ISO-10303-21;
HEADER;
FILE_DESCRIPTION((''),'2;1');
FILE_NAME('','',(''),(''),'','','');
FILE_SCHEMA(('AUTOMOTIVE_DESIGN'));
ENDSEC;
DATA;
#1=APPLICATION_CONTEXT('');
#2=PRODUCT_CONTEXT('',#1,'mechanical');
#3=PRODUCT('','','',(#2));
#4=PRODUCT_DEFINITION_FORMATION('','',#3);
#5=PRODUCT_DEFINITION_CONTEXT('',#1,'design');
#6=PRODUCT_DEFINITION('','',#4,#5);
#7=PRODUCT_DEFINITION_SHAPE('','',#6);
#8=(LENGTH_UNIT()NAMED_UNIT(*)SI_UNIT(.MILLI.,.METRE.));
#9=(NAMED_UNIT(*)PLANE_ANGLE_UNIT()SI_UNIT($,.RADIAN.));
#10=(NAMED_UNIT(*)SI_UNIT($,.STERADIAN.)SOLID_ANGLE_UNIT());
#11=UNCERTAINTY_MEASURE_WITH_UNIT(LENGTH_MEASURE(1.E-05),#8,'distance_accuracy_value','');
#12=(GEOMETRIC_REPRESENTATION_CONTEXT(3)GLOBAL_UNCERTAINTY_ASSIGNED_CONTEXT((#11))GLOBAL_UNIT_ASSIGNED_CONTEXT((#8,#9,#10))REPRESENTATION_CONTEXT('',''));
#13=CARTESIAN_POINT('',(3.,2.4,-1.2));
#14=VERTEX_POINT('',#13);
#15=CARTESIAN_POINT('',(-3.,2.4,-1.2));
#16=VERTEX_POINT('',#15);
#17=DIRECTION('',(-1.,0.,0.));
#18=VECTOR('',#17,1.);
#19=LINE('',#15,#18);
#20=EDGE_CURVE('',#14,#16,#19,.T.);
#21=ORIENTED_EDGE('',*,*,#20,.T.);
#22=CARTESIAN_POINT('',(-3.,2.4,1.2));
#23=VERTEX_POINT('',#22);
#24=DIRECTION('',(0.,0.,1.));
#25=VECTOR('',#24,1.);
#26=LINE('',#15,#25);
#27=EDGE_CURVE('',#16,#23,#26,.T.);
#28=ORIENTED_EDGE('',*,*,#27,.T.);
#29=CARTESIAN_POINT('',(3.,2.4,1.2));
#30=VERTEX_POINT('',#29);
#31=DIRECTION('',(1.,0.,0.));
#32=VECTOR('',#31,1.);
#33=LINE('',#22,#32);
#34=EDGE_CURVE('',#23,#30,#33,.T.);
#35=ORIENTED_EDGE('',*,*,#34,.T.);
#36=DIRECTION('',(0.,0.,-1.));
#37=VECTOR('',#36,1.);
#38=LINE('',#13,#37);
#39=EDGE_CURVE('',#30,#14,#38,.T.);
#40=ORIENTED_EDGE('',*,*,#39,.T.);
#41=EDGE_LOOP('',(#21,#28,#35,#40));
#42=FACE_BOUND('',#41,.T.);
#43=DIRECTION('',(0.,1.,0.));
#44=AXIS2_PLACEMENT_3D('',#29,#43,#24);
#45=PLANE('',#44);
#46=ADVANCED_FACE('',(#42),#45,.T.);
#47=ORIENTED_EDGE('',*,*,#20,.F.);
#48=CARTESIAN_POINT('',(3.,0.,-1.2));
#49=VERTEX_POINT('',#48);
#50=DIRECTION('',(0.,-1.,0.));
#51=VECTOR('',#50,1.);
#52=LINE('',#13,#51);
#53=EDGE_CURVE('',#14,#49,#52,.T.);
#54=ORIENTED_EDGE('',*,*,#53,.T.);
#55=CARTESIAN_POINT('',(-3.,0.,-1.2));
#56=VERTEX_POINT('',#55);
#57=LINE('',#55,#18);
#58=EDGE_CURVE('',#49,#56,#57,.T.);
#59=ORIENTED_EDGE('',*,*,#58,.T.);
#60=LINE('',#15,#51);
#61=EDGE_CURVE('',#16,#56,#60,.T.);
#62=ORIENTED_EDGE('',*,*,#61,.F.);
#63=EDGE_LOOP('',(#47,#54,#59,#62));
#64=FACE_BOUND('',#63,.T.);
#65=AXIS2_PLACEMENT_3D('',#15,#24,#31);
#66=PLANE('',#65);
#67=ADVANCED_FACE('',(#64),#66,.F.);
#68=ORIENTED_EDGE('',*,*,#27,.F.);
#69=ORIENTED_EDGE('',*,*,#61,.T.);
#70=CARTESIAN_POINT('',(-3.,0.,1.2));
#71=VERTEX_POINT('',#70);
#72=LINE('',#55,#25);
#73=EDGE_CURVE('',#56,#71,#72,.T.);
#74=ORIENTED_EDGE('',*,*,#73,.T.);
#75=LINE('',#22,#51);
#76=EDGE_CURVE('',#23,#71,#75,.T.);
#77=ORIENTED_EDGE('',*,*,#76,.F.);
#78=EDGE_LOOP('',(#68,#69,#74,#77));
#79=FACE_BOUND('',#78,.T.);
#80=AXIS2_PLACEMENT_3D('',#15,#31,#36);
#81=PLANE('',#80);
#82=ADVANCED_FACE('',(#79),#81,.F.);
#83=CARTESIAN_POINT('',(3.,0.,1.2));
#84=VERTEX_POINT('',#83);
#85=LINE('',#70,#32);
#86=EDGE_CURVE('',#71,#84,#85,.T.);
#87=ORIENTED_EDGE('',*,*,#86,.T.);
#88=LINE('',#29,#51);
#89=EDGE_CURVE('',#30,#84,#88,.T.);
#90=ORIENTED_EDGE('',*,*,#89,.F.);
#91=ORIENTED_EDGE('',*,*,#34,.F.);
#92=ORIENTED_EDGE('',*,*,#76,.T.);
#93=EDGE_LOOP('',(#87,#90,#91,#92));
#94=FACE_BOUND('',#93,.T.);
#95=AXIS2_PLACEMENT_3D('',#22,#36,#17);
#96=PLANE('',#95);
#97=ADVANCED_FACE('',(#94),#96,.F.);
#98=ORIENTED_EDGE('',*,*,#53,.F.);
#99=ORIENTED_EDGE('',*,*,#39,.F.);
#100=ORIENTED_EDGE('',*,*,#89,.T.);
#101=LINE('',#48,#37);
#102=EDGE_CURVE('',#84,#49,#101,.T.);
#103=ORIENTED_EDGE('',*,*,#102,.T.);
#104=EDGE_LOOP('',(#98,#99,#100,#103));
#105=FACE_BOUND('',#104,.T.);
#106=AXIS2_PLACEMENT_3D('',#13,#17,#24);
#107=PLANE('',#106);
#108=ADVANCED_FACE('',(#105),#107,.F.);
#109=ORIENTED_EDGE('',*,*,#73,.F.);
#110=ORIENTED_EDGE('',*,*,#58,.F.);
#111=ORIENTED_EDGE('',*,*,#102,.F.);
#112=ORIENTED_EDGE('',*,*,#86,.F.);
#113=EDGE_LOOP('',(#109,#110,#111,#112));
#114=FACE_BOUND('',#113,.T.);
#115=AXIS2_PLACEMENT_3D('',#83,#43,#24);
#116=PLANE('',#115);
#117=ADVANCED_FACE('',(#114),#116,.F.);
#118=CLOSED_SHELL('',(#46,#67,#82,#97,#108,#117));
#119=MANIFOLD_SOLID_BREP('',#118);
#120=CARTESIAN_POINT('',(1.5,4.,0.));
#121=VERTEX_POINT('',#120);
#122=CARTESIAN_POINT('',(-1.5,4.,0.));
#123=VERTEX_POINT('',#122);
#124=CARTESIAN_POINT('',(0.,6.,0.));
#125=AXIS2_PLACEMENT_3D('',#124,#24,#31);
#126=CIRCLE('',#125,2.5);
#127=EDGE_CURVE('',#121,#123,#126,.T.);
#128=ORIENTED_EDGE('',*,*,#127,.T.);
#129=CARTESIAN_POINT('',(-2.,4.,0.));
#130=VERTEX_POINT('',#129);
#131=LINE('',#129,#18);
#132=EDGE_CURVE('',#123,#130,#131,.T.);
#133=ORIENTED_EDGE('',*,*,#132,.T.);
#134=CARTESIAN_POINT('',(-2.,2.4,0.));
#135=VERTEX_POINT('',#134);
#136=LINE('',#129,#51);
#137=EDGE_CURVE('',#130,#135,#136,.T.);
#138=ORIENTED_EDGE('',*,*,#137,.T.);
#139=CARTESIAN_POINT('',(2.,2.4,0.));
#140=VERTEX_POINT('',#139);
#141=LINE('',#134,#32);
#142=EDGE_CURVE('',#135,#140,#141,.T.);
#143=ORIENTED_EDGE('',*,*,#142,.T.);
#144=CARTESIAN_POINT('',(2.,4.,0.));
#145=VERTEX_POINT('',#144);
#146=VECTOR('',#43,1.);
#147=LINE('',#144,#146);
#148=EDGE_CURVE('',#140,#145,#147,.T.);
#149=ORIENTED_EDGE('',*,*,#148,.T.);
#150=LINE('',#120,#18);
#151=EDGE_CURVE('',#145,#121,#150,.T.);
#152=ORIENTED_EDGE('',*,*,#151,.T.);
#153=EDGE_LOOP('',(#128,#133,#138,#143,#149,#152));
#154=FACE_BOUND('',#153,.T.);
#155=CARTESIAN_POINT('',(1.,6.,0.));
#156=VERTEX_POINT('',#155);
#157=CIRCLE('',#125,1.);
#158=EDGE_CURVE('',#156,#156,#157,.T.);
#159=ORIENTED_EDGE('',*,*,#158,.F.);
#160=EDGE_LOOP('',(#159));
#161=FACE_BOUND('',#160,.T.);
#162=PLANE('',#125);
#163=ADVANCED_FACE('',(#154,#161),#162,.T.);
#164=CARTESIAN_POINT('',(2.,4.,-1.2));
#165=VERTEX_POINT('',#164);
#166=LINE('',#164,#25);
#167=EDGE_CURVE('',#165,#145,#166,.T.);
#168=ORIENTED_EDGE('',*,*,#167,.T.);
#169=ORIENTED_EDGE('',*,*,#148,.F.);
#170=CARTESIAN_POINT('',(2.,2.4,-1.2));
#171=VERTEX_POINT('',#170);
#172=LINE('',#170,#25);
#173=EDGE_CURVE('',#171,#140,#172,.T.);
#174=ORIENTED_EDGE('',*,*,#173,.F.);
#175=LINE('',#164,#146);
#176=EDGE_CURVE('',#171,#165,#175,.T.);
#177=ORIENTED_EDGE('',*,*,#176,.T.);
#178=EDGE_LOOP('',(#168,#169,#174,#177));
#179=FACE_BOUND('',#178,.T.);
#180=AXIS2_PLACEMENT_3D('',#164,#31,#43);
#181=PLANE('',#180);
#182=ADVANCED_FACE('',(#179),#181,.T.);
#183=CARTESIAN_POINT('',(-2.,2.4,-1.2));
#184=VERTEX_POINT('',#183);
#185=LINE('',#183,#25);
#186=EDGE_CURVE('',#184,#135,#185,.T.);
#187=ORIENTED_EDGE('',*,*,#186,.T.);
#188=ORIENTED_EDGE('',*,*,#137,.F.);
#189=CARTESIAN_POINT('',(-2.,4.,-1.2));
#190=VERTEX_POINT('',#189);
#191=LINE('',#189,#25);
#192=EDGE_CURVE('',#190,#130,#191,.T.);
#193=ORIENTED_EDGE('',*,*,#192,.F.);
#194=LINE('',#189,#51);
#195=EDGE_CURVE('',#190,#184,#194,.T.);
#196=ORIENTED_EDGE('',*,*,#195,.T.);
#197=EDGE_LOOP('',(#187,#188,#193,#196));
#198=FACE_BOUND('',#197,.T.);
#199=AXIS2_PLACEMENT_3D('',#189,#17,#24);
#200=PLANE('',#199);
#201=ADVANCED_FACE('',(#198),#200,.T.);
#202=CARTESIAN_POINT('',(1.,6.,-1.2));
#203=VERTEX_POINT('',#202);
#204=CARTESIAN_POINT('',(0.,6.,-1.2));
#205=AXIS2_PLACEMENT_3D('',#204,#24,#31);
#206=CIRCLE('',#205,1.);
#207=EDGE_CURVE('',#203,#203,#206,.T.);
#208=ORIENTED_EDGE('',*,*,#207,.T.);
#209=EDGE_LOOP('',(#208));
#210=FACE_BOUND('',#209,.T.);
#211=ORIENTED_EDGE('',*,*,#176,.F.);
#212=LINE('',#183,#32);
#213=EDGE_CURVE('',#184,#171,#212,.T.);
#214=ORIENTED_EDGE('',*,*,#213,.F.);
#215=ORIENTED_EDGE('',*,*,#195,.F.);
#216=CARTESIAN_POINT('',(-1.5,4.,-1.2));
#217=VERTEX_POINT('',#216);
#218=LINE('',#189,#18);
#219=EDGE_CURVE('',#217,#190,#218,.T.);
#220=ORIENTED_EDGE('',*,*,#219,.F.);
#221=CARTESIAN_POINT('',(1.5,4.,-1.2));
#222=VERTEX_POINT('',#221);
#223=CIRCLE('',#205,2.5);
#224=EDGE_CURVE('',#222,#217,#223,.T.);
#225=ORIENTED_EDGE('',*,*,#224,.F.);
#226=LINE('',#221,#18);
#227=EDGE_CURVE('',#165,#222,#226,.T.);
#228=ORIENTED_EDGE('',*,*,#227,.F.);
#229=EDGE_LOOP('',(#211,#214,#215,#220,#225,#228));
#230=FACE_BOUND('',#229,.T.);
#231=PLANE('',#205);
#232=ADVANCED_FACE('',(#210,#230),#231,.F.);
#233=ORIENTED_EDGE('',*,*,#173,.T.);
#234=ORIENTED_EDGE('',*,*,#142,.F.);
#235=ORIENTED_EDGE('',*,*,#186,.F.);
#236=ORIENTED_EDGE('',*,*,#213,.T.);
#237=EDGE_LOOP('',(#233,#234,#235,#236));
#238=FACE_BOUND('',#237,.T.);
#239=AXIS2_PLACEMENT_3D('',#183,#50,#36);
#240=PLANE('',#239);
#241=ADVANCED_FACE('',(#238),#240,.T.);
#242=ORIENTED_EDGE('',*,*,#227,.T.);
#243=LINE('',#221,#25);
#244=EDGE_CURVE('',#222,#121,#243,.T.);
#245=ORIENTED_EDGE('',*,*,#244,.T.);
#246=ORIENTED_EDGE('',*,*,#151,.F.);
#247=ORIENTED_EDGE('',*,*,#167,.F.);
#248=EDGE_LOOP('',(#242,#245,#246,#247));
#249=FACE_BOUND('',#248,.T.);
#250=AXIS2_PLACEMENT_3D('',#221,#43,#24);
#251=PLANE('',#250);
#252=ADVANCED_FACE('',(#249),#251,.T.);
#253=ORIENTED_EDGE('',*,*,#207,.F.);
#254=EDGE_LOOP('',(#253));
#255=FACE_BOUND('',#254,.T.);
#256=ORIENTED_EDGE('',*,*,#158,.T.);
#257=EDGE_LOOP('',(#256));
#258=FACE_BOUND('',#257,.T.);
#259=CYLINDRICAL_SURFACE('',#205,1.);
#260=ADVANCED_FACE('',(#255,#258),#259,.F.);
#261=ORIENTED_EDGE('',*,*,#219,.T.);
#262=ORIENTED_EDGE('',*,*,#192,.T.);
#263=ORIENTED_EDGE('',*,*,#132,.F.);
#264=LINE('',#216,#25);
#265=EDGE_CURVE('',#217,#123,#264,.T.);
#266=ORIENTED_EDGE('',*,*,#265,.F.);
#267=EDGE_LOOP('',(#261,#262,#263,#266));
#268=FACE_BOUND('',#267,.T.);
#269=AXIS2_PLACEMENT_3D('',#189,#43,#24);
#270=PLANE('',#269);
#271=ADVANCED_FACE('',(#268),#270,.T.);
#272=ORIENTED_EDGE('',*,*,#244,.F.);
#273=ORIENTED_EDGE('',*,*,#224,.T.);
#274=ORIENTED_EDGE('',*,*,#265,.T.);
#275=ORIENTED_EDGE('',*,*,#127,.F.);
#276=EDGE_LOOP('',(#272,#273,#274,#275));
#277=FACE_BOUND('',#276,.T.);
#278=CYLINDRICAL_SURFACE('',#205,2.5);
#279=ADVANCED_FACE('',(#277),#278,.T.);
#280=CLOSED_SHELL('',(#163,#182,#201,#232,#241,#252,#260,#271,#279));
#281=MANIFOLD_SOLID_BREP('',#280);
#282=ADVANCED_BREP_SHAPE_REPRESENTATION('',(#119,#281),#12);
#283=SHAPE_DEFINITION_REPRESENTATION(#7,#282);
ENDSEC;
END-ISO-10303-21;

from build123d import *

# Parameters (mm, degrees)
SKETCH_1_W          = 6
SKETCH_1_H          = 2.4
EXTRUDE_1_DEPTH     = 2.4
EXTRUDE_3_DEPTH     = 1.2
SKETCH_4_R          = 1
CUT_EXTRUDE_4_DEPTH = 1.2


with BuildPart() as part:
    # 草圖1 → 伸長1 (new body)
    with BuildSketch(Plane(origin=(0, 0, 0), x_dir=(1, 0, 0), z_dir=(0, 1, 0))):
        Rectangle(SKETCH_1_W, SKETCH_1_H)
    extrude(amount=EXTRUDE_1_DEPTH)


with BuildPart() as body_2:
    # 草圖2 → 伸長3 (new body)
    with BuildSketch(Plane.XY):
        with BuildLine():
            Line((-2, 4), (-1.5, 4))
            ThreePointArc((-1.5, 4), (0, 8.5), (1.5, 4))
            Line((1.5, 4), (2, 4))
            Line((2, 4), (2, 2.4))
            Line((2, 2.4), (-2, 2.4))
            Line((-2, 2.4), (-2, 4))
        make_face()
    extrude(amount=-EXTRUDE_3_DEPTH)

    # 草圖4 → 伸長4 (cut)
    with BuildSketch(Plane.XY):
        with Locations((0, 6)):
            Circle(SKETCH_4_R)
    extrude(amount=-CUT_EXTRUDE_4_DEPTH, mode=Mode.SUBTRACT)


solid = Compound([part.part, body_2.part])
